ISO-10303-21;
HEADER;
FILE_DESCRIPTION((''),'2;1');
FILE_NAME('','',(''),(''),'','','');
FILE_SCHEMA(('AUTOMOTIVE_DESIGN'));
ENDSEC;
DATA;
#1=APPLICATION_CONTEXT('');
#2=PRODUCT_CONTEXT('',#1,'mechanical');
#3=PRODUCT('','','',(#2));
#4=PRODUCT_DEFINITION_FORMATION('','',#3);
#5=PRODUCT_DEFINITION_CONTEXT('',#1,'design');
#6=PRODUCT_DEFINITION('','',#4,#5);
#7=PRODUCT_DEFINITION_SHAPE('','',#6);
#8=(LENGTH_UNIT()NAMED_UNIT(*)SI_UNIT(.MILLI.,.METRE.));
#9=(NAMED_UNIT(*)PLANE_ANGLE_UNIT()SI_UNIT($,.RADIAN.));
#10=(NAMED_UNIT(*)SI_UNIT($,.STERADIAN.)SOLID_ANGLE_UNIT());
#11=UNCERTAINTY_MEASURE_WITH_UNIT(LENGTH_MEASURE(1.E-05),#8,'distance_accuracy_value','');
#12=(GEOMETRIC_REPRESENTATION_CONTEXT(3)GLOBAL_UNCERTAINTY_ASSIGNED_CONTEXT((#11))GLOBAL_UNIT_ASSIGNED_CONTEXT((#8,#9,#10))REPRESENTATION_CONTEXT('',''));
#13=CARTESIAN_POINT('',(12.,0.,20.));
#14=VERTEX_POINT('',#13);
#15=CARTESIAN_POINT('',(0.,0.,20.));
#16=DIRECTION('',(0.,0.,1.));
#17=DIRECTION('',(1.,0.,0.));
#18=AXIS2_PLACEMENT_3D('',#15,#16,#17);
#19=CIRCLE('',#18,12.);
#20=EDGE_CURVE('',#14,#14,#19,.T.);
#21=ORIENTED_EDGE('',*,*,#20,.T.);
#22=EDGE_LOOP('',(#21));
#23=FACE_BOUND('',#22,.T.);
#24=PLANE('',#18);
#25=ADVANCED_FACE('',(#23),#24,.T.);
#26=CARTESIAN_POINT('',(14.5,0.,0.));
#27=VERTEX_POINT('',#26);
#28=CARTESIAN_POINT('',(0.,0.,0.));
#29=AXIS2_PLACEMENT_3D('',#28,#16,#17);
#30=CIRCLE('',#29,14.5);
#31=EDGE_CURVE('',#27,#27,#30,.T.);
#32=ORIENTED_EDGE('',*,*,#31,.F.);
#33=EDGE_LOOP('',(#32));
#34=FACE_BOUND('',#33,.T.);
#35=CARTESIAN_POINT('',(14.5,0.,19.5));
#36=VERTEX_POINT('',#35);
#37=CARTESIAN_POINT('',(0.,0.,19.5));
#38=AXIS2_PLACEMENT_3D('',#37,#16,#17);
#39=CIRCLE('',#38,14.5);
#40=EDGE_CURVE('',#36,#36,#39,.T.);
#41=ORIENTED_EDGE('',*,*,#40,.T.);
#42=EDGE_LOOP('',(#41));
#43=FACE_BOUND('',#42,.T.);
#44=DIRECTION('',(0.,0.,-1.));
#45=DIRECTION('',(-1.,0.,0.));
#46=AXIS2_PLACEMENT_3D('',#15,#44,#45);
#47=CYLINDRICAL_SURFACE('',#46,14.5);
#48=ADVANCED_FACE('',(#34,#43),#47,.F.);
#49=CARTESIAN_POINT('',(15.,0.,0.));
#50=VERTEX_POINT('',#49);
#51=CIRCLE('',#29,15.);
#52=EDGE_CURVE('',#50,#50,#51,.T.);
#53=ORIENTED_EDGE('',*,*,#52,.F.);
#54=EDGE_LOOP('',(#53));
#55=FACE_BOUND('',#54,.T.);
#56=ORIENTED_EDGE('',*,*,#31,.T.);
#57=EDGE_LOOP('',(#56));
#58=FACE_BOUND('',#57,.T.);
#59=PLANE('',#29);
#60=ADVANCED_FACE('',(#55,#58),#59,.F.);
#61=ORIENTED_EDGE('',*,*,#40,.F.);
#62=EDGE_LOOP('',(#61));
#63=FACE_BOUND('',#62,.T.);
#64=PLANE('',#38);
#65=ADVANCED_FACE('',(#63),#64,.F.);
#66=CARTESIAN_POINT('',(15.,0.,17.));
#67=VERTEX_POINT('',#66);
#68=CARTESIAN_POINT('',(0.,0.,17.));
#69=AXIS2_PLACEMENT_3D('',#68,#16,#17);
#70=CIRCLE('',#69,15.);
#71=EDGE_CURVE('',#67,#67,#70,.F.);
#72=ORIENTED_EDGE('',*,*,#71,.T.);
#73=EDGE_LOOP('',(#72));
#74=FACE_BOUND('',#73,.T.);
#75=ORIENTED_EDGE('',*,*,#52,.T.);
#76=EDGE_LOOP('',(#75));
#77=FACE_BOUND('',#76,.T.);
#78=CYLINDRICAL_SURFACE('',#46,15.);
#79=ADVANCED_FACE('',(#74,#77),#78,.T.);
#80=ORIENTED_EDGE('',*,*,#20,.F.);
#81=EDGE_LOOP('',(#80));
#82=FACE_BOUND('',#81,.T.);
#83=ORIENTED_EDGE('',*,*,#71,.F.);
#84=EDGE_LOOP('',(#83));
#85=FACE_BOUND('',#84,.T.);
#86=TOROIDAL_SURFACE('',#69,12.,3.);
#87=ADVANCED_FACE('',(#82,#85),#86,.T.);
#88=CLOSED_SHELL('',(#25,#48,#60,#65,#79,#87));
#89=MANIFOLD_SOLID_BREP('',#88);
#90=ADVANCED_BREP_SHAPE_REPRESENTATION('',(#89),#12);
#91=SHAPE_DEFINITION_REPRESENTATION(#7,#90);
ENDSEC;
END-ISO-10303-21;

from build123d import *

# Parameters (mm, degrees)
SKETCH_1_R      = 15
EXTRUDE_1_DEPTH = 20
SHELL_1_T       = -0.5
FILLET_1_R      = 3


with BuildPart() as part:
    # 草图1 → 凸台-拉伸1 (new body)
    with BuildSketch(Plane.XY):
        Circle(SKETCH_1_R)
    extrude(amount=EXTRUDE_1_DEPTH)

    # 抽壳1
    shell_1_openings = [part.faces().sort_by_distance(p)[0] for p in [
        (0, 0, 0),
    ]]
    offset(amount=SHELL_1_T, openings=shell_1_openings, kind=Kind.INTERSECTION)

    # 圆角1
    fillet_1_edges = [part.edges().sort_by_distance(p)[0] for p in [
        (-15, 0, 20),
    ]]
    fillet(fillet_1_edges, radius=FILLET_1_R)


solid = part.part
